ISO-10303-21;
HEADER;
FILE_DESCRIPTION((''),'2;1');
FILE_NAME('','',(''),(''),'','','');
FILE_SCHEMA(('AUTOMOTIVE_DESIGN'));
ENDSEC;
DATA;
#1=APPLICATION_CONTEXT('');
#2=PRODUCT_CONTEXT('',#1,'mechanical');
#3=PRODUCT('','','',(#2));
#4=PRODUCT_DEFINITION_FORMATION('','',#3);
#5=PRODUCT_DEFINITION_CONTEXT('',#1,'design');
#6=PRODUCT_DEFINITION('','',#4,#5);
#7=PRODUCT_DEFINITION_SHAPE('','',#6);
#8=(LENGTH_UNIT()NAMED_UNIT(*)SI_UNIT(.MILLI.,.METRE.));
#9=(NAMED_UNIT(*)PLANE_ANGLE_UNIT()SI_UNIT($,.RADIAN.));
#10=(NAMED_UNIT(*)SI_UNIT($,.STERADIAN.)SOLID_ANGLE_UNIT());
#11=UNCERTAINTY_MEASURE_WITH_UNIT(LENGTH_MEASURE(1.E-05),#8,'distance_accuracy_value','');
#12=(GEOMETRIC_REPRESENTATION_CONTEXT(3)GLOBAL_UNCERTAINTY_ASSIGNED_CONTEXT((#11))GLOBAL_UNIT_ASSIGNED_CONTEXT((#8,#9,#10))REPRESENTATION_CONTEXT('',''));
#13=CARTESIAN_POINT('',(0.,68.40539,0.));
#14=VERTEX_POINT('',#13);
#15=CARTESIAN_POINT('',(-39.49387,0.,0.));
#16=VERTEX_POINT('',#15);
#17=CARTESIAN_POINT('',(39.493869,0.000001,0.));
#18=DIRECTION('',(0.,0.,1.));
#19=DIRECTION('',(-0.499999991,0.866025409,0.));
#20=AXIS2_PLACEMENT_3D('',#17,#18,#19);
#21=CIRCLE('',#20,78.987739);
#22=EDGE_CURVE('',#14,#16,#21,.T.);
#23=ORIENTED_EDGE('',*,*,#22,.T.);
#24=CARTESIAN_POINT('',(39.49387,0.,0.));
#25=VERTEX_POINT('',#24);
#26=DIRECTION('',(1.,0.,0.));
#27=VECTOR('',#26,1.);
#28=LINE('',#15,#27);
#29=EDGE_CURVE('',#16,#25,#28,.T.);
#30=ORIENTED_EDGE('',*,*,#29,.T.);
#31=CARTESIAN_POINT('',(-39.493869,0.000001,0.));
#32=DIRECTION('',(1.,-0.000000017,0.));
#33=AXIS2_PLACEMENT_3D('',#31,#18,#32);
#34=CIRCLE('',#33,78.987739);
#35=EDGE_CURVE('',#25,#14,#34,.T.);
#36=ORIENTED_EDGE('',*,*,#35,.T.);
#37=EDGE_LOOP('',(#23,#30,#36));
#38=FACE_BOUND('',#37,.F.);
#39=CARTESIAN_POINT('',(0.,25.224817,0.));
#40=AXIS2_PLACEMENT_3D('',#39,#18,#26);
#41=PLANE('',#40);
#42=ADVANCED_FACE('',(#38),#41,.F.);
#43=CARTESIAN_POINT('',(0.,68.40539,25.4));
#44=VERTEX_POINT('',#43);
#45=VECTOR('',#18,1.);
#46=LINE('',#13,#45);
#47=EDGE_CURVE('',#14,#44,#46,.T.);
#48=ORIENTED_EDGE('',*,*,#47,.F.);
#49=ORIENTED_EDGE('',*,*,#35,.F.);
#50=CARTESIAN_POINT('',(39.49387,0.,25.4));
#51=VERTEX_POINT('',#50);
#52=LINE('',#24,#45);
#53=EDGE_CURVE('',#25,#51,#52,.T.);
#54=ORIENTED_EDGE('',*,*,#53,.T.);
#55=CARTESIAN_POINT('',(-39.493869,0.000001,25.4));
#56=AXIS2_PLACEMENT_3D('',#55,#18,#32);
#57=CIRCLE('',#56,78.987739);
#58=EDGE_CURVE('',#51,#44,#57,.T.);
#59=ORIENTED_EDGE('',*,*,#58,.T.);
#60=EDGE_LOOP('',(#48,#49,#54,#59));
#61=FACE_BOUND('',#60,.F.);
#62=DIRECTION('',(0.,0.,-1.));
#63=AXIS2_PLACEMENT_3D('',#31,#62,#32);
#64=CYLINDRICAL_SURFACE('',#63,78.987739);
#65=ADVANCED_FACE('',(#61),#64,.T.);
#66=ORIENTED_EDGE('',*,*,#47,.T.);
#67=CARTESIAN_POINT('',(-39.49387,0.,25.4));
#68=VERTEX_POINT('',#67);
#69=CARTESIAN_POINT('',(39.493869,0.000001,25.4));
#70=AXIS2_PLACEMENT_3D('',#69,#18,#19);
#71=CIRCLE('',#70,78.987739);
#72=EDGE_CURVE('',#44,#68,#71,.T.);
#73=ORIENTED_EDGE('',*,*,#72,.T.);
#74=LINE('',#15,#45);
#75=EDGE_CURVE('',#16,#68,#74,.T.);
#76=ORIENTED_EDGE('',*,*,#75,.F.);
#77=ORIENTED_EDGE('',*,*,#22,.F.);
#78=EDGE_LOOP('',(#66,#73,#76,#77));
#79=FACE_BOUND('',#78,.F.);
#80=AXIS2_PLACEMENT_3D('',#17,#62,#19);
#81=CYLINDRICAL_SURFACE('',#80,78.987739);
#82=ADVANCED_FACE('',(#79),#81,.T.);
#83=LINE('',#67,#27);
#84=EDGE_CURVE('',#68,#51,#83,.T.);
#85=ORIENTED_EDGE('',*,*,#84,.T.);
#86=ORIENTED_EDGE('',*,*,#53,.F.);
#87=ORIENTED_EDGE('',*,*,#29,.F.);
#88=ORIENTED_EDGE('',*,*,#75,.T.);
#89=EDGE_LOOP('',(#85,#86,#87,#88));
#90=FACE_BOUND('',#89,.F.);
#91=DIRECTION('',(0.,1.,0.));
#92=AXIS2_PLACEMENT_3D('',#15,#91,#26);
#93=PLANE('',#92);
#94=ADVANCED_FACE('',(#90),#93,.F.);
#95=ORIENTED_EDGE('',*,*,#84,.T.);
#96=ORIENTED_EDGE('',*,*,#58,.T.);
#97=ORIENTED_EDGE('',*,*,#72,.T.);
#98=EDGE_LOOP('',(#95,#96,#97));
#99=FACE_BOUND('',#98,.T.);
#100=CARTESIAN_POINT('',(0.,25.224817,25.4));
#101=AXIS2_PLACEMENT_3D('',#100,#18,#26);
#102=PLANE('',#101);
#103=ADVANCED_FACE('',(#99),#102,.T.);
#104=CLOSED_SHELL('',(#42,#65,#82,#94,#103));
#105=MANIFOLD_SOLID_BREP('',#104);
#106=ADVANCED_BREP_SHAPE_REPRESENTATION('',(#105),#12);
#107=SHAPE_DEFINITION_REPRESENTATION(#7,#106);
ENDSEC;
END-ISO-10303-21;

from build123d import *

# Parameters (mm, degrees)
F1_DEPTH = 25.4


with BuildPart() as f1:
    # F0 (on Top) → F1 (new body)
    with BuildSketch(Plane.XY):
        with BuildLine():
            Line((-39.49387, 0), (39.49387, 0))
            ThreePointArc((39.49387, 0), (28.91152, 39.49387), (0, 68.40539))
            ThreePointArc((0, 68.40539), (-28.91152, 39.49387), (-39.49387, 0))
        make_face()
    extrude(amount=F1_DEPTH)


solid = f1.part
